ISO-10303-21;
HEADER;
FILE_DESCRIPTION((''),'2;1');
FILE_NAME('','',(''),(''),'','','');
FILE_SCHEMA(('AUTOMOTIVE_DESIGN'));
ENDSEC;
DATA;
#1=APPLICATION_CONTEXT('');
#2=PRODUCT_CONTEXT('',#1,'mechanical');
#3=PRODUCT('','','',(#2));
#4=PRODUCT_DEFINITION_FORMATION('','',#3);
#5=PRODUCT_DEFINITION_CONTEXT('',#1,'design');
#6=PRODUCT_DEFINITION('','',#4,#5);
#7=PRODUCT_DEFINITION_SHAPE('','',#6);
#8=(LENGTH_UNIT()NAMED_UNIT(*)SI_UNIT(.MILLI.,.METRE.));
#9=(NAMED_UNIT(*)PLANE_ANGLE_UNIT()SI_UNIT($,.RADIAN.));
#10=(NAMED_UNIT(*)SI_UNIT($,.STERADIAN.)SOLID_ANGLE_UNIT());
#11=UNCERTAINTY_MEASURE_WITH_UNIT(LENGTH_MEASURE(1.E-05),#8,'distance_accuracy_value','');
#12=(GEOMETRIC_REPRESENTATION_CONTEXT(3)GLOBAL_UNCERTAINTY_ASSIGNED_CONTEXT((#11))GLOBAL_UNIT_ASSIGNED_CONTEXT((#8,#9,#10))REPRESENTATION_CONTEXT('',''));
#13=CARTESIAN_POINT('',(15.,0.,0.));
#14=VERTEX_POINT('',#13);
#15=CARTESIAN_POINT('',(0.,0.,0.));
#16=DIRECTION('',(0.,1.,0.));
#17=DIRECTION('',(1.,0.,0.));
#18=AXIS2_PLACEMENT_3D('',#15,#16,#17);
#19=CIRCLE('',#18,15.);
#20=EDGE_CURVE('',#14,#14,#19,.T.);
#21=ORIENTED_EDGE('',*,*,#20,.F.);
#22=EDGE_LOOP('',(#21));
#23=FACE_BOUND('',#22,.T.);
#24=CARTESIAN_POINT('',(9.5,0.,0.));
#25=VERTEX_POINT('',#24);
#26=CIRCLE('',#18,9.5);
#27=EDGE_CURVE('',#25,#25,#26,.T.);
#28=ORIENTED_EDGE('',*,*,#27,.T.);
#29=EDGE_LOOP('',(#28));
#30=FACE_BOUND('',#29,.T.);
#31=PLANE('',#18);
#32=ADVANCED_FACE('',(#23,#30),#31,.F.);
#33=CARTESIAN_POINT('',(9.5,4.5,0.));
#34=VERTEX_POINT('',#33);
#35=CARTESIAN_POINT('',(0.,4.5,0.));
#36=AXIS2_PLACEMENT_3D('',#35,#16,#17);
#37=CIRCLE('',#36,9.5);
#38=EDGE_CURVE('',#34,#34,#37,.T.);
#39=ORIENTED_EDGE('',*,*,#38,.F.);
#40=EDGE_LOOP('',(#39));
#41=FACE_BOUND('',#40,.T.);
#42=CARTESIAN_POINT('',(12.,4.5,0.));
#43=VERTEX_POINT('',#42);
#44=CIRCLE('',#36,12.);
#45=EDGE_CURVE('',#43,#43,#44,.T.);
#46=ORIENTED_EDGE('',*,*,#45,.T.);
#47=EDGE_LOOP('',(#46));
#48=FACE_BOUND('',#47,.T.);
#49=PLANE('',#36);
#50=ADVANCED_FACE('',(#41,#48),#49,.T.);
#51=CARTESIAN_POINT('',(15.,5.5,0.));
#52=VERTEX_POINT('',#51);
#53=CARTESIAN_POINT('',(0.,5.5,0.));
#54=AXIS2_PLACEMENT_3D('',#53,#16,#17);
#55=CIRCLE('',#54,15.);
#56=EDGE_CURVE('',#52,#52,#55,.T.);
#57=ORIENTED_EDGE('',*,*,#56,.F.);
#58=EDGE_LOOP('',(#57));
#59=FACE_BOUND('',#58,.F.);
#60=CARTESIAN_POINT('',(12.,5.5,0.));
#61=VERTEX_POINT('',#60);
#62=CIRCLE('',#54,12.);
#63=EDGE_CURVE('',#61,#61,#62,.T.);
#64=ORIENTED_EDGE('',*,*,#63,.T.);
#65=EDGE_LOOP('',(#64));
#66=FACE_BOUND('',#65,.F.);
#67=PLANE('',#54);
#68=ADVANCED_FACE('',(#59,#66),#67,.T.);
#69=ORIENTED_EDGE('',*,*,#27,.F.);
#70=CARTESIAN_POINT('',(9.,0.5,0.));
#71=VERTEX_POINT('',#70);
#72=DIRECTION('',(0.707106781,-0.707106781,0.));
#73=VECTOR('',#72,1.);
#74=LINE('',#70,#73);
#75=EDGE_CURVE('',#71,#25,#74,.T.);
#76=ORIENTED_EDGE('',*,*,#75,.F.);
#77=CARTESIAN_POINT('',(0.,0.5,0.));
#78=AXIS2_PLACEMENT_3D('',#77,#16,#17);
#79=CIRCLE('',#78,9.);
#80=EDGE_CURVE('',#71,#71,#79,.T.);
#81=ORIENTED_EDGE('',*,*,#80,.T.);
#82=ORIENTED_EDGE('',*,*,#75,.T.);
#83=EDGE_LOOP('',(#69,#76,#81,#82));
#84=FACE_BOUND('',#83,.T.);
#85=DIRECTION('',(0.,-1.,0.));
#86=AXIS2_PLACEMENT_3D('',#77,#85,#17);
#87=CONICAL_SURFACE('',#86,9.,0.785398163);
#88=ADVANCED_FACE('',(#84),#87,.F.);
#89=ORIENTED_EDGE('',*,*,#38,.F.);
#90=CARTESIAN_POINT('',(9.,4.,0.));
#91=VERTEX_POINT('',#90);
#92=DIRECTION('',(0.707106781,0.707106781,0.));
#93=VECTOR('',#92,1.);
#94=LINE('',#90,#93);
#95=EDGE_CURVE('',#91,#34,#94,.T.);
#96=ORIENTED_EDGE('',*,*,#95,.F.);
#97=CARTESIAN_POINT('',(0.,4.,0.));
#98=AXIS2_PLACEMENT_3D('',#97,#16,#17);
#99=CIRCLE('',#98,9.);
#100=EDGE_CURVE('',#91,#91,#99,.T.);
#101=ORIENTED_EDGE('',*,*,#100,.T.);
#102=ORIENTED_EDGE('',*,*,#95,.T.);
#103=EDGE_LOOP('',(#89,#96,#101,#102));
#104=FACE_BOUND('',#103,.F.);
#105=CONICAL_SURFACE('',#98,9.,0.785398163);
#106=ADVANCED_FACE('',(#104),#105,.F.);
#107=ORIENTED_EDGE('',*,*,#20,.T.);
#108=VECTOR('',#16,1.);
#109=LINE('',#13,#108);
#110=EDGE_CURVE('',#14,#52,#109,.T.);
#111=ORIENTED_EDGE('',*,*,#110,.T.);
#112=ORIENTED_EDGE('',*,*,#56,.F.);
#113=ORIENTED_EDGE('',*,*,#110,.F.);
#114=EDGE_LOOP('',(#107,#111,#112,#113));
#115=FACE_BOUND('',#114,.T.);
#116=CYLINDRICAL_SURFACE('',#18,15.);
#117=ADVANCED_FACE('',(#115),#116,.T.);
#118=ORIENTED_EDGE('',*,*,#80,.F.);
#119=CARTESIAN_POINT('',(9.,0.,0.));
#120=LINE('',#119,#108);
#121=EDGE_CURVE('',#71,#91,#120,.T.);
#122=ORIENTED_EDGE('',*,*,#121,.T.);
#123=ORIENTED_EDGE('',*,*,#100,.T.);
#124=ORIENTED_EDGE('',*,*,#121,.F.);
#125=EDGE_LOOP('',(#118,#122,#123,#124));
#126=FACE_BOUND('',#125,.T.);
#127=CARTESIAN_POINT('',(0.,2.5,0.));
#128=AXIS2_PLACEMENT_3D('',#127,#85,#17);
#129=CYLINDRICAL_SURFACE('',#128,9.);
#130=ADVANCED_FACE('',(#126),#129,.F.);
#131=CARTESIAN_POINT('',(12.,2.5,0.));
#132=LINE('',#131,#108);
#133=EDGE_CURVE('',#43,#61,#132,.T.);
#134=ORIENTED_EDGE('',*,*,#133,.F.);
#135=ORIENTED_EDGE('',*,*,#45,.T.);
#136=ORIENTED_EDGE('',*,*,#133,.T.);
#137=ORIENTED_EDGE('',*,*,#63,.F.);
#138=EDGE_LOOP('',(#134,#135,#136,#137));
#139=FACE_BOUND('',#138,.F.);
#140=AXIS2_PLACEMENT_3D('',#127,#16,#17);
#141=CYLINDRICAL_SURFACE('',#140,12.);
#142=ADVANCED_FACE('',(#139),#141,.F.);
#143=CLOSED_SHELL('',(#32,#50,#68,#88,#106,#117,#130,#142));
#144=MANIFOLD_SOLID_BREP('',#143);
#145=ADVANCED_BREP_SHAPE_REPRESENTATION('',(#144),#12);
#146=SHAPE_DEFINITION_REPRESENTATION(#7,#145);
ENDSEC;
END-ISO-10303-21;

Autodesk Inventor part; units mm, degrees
ref_plane "YZ Plane" through (0, 0, 0) normal (1, 0, 0) x (0, 1, 0)
ref_plane "XZ Plane" through (0, 0, 0) normal (0, 1, 0) x (-1, 0, 0)
ref_plane "XY Plane" through (0, 0, 0) normal (0, 0, 1) x (1, 0, 0)
sketch "Sketch2" plane through (0, 0, 0) normal (0, 0, 1) x (1, 0, 0)
  line L0 (9, 0) -> (15, 0)
  line L1 (15, 0) -> (15, 2.5)
  line L2 (15, 2.5) -> (9, 2.5)
  line L3 (9, 2.5) -> (9, 0)
  line L4 (15, 2.5) -> (12, 2.5)
  line L5 (12, 2.5) -> (12, 5.5)
  line L6 (12, 5.5) -> (15, 5.5)
  line L7 (15, 5.5) -> (15, 2.5)
  line L8 (0, -9.1355) -> (0, 9.1355) construction
  line L9 (15, 2.5) -> (19, 2.5)
  line L10 (19, 2.5) -> (19, 0)
  line L11 (19, 0) -> (15, 0)
  line L12 (15, 0) -> (15, 2.5)
  line L13 (9, 2.5) -> (12, 2.5)
  line L14 (12, 2.5) -> (12, 4.5)
  line L15 (12, 4.5) -> (9, 4.5)
  line L16 (9, 4.5) -> (9, 2.5)
  point P0 (0, 0)
  dimension "d4" = 9
  dimension "d5" = 6
  dimension "d6" = 2.5
  dimension "d7" = 3
  dimension "d8" = 3
  dimension "d14" = 19
  dimension "d15" = 1
revolve "Revolution1" add sketch "Sketch2" angle 360 about axis through (0, -9.1355, 0) along (0, 1, 0) contours L3 L2 L1 L0 | L16 L15 L5 L2 | L2 L5 L6 L7
chamfer "Chamfer1" distance 0.5 angle 45 2 edges at (-9, 0, 0) (-9, 4.5, 0)
properties part number "clutch"
